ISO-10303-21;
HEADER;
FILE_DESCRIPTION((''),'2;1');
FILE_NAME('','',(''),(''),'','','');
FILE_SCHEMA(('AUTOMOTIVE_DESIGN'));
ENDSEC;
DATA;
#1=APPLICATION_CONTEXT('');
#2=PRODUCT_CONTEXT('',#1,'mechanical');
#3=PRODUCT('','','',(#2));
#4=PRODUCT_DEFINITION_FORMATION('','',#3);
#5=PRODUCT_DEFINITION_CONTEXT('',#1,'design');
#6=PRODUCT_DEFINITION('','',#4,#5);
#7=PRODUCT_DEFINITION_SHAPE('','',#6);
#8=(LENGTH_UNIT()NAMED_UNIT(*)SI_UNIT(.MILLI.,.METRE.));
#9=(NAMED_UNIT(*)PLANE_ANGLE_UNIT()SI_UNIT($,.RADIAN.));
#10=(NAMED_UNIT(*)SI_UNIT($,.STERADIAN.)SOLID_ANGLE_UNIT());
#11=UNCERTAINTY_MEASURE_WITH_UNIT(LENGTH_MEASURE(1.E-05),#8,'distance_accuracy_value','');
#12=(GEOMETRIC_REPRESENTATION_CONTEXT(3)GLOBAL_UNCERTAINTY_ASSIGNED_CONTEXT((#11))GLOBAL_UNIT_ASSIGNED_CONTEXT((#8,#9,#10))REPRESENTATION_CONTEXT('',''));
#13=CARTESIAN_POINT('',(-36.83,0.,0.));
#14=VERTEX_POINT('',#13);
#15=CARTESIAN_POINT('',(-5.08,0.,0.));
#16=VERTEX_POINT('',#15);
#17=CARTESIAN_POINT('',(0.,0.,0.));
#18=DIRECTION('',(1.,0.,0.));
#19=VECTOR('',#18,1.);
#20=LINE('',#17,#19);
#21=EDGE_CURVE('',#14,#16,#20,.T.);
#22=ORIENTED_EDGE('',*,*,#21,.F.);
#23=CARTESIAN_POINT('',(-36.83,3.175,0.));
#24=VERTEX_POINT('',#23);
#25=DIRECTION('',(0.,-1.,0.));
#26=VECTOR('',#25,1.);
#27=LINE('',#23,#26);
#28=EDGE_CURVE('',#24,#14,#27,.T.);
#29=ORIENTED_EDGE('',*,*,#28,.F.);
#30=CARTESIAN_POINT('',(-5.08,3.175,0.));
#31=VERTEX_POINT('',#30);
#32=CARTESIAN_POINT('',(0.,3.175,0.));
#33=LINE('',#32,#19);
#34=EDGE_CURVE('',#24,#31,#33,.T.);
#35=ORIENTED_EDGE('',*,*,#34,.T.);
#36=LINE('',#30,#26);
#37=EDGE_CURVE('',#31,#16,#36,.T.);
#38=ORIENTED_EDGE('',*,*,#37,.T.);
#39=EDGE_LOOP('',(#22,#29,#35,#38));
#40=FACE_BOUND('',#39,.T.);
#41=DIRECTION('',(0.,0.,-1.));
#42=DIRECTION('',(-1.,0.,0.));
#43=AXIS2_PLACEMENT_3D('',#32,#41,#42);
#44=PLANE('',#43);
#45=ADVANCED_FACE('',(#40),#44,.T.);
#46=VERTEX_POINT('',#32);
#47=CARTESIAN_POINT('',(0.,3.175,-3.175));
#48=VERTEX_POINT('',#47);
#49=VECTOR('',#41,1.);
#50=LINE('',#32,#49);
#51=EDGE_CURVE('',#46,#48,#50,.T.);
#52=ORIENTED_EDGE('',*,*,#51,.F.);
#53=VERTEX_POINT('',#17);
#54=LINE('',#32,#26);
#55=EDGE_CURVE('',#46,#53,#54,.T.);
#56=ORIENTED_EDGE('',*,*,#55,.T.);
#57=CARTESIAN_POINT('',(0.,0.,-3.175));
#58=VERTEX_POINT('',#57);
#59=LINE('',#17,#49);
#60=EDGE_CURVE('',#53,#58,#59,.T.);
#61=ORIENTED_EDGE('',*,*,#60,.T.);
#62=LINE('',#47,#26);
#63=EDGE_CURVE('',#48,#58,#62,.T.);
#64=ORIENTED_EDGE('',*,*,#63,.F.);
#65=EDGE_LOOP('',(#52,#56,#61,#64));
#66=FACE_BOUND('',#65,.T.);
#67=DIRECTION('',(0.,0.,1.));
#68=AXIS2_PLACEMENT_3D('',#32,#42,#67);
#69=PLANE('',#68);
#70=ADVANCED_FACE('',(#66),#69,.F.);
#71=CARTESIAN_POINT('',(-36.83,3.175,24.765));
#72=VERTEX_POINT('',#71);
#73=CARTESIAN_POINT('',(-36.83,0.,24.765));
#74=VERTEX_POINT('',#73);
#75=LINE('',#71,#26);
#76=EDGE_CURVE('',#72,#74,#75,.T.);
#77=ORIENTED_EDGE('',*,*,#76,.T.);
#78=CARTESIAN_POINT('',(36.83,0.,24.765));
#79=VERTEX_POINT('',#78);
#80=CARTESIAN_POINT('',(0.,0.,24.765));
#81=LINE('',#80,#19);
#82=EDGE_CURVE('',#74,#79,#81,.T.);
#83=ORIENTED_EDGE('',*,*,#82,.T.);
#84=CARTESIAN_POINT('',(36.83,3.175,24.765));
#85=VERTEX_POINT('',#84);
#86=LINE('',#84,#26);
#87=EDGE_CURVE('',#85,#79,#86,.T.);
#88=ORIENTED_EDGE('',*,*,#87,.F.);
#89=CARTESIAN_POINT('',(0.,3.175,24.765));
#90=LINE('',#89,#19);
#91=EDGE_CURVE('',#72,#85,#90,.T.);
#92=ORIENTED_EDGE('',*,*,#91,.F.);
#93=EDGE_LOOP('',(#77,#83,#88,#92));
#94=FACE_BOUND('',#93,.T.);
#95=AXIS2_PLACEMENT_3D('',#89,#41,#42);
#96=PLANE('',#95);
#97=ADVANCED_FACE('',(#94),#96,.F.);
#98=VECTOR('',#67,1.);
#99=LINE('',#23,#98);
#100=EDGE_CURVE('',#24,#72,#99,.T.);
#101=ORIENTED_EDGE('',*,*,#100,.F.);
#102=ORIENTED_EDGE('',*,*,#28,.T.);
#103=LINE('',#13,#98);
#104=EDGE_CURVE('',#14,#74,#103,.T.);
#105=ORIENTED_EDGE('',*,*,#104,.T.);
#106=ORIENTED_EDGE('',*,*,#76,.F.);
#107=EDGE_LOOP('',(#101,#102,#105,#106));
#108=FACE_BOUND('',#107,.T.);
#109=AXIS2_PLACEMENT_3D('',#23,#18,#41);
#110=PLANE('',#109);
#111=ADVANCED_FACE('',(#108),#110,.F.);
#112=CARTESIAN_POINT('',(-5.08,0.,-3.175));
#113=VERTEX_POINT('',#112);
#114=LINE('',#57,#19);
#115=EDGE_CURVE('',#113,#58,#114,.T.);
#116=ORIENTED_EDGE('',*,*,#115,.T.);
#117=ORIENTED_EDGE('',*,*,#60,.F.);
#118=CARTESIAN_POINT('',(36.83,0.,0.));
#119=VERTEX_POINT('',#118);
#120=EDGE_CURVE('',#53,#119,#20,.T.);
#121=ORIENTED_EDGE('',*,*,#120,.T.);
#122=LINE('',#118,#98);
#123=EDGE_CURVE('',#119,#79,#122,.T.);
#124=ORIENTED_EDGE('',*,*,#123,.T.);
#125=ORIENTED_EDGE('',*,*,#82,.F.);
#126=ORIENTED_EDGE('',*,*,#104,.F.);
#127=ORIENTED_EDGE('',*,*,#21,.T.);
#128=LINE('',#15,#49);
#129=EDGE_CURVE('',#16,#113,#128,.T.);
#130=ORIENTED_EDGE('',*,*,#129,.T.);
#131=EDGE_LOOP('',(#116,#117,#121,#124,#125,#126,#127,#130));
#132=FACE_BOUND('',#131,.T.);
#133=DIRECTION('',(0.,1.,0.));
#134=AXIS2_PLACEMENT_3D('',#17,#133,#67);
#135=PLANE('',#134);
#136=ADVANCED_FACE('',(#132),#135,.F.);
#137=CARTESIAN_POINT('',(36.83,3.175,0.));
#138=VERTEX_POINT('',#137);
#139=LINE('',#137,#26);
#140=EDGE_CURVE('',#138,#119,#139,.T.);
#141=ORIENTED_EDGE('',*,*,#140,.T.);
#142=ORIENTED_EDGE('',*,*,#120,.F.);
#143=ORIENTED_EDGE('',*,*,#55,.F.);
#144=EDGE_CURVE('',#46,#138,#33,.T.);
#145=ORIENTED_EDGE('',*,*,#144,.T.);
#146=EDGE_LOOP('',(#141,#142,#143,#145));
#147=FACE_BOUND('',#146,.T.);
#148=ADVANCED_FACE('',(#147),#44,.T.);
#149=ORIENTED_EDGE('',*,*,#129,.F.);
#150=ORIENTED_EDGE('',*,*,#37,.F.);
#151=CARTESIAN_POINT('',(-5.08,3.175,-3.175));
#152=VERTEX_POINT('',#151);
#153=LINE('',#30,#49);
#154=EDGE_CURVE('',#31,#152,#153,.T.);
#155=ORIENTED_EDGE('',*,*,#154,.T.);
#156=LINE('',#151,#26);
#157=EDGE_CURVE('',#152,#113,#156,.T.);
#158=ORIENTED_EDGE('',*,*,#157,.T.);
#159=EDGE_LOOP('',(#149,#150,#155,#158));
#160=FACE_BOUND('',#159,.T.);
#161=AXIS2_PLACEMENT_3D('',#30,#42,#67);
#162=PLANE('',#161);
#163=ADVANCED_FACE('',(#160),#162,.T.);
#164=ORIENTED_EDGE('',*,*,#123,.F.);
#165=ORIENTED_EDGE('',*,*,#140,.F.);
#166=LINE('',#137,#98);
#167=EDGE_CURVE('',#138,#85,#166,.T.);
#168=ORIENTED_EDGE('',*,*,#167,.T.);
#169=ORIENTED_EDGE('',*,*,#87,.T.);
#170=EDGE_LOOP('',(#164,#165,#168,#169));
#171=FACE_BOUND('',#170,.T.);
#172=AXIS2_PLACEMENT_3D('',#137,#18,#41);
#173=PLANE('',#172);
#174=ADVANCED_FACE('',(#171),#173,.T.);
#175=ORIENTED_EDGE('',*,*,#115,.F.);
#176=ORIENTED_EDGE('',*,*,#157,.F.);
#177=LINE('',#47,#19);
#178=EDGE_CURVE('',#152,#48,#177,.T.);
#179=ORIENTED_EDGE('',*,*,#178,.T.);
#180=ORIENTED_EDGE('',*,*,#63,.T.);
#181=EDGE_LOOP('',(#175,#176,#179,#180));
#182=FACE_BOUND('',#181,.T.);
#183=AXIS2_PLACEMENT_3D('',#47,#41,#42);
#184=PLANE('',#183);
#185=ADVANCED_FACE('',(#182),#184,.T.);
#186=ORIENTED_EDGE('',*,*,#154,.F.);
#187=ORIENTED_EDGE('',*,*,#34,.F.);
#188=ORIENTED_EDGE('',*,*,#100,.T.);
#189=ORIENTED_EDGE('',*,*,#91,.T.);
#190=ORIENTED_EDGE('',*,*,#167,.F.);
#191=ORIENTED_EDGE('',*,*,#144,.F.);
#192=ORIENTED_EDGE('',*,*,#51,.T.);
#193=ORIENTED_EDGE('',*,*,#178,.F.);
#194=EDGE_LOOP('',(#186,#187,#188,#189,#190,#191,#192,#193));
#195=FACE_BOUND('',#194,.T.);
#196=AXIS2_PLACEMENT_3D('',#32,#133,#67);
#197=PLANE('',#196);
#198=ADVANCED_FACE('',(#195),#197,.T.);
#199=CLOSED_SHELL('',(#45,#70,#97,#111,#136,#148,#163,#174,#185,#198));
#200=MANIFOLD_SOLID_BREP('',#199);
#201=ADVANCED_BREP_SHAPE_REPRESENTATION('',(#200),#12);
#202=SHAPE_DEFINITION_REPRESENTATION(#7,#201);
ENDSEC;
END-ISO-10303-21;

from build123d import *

# Parameters (mm, degrees)
SKETCH2_W           = 73.66
SKETCH2_H           = 24.765
SKETCH2_W_2         = 5.08
SKETCH2_H_2         = 3.175
BOSS_EXTRUDE1_DEPTH = 3.175


with BuildPart() as part:
    # Sketch2 → Boss-Extrude1 (new body)
    with BuildSketch(Plane(origin=(0, 0, 0), x_dir=(1, 0, 0), z_dir=(0, 1, 0))):
        with Locations((0, -12.3825)):
            Rectangle(SKETCH2_W, SKETCH2_H)
        with Locations((-2.54, 1.5875)):
            Rectangle(SKETCH2_W_2, SKETCH2_H_2)
    extrude(amount=BOSS_EXTRUDE1_DEPTH)


solid = part.part
